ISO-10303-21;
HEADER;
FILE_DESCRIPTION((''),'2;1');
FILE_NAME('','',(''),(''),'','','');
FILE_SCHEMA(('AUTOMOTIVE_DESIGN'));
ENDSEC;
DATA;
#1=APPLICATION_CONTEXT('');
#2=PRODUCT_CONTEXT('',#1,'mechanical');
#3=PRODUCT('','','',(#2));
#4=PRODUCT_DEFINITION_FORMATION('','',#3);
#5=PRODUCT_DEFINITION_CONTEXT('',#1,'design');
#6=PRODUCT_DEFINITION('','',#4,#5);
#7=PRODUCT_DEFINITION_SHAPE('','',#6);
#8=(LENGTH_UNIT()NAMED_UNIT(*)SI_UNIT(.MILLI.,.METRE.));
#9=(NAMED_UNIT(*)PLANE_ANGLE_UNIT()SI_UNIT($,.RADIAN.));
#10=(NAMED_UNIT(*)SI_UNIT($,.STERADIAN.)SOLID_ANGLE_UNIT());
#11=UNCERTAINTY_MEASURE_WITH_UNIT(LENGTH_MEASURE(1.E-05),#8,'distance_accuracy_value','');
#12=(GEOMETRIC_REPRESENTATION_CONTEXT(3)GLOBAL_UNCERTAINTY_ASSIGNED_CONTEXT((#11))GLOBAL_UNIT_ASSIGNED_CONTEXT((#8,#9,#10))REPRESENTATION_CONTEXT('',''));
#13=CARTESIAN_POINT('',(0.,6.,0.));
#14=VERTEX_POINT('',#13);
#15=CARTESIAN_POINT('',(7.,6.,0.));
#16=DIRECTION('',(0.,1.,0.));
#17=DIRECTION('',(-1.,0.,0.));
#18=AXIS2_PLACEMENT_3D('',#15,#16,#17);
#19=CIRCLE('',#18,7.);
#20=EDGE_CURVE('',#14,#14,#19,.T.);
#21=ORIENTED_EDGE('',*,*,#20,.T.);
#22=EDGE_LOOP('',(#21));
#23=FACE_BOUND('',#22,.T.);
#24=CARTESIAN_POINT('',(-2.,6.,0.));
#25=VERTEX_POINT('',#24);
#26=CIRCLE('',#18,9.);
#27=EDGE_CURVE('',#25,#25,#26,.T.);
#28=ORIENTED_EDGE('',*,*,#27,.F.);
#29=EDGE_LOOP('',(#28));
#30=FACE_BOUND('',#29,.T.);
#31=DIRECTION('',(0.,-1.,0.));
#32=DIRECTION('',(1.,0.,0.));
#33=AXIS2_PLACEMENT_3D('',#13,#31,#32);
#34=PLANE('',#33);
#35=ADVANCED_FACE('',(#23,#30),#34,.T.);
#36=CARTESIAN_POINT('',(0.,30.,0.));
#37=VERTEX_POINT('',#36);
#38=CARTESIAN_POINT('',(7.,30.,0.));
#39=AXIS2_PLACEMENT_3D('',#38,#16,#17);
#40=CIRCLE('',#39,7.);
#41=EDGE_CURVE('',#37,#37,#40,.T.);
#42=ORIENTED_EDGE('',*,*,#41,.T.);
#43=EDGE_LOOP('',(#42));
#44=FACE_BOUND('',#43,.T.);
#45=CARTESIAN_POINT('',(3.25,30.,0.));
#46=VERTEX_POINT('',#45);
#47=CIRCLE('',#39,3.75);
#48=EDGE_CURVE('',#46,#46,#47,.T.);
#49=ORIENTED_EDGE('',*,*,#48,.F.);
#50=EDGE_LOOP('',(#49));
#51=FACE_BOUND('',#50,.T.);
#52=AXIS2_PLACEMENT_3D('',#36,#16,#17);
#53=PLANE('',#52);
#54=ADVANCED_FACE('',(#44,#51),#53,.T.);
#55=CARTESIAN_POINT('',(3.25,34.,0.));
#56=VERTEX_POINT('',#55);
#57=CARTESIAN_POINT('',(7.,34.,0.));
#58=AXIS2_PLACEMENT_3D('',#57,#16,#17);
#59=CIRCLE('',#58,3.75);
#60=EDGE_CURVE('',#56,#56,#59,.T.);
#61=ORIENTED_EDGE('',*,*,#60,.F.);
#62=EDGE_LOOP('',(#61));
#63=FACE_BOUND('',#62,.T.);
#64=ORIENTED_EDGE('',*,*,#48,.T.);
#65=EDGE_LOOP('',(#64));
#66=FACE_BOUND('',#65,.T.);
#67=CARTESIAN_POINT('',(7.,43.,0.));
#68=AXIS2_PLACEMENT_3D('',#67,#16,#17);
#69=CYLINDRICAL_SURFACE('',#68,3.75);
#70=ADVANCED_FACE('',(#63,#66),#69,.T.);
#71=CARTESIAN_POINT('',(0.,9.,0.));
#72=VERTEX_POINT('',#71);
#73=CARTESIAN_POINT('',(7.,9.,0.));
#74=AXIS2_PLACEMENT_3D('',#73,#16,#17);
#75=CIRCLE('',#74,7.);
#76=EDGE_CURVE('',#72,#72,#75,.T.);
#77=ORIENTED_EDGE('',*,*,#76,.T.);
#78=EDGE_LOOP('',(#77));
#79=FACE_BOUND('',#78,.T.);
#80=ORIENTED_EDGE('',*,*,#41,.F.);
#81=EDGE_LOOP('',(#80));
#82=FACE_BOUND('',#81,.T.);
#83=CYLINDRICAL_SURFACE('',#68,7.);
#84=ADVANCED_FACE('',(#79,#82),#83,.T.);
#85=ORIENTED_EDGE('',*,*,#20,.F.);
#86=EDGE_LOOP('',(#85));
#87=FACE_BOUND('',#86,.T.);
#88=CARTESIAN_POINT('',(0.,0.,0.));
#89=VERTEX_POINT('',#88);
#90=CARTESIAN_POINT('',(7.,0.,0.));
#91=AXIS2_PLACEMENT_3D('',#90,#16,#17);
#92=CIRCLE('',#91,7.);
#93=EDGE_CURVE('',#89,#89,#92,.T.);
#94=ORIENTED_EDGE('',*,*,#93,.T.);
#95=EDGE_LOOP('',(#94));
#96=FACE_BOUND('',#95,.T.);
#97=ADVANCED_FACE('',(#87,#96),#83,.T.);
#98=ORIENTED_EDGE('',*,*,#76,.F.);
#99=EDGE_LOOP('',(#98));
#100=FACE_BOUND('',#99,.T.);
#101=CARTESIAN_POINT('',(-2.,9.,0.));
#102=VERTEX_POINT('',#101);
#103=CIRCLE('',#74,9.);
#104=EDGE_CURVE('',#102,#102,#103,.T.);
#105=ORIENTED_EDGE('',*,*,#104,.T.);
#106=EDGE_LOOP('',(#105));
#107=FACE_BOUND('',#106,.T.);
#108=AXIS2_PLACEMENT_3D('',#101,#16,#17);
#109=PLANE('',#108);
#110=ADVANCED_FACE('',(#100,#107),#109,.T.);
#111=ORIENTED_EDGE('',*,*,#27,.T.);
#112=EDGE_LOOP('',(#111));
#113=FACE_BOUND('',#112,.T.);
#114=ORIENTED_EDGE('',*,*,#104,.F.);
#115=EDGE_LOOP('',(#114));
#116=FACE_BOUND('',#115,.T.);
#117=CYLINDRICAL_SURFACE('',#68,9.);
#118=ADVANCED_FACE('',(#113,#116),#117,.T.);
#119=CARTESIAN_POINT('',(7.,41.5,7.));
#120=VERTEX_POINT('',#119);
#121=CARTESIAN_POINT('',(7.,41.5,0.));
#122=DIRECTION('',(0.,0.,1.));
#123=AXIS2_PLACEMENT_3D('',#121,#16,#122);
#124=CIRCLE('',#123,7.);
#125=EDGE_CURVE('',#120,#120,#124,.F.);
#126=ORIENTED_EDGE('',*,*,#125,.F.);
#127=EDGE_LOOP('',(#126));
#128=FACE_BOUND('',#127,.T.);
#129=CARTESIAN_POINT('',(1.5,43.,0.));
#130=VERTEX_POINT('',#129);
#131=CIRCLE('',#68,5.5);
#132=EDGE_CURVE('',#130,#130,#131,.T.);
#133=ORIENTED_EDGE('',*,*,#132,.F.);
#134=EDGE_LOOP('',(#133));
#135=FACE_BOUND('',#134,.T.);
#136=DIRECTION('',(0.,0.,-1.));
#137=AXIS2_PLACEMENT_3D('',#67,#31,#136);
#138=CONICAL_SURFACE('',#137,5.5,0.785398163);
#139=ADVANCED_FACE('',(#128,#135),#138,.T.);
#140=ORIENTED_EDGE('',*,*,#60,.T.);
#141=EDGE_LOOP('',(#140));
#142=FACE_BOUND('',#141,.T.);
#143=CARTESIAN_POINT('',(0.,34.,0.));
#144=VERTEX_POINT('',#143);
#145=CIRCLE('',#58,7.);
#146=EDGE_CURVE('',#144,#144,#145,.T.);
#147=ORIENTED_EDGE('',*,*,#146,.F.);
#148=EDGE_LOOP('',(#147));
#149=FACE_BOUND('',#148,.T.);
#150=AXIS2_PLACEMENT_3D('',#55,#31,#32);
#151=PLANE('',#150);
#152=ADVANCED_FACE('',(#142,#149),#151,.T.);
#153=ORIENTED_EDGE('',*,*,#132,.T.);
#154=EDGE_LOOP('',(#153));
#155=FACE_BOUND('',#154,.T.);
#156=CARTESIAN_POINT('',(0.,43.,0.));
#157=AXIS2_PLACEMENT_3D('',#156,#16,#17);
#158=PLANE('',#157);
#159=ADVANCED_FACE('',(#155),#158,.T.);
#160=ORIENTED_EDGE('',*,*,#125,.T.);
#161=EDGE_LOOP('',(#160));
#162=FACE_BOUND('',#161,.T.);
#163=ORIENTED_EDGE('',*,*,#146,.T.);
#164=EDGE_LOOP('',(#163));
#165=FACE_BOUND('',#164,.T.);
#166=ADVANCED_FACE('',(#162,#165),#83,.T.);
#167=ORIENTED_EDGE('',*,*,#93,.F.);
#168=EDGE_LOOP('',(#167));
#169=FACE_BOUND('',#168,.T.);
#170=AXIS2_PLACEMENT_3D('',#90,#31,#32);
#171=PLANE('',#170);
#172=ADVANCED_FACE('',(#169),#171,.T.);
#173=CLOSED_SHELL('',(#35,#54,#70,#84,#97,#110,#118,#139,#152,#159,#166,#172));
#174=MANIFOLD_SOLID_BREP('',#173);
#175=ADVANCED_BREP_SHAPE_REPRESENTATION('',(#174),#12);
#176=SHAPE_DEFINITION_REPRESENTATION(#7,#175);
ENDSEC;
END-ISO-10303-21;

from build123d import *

# Parameters (mm, degrees)
CHAMFER1_SIZE = 1.5


with BuildPart() as part:
    # Sketch1 → Revolve1 (revolve)
    with BuildSketch(Plane.XY):
        Polygon((7, 0), (0, 0), (0, 6), (-2, 6), (-2, 9), (0, 9), (0, 30), (3.25, 30), (3.25, 34), (0, 34), (0, 43), (7, 43), align=None)
    revolve(axis=Axis((7, 43, 0), (0, -1, 0)))

    # Chamfer1
    chamfer1_edges = [part.edges().sort_by_distance(p)[0] for p in [
        (14, 43, 0),
    ]]
    chamfer(chamfer1_edges, length=CHAMFER1_SIZE)


solid = part.part
